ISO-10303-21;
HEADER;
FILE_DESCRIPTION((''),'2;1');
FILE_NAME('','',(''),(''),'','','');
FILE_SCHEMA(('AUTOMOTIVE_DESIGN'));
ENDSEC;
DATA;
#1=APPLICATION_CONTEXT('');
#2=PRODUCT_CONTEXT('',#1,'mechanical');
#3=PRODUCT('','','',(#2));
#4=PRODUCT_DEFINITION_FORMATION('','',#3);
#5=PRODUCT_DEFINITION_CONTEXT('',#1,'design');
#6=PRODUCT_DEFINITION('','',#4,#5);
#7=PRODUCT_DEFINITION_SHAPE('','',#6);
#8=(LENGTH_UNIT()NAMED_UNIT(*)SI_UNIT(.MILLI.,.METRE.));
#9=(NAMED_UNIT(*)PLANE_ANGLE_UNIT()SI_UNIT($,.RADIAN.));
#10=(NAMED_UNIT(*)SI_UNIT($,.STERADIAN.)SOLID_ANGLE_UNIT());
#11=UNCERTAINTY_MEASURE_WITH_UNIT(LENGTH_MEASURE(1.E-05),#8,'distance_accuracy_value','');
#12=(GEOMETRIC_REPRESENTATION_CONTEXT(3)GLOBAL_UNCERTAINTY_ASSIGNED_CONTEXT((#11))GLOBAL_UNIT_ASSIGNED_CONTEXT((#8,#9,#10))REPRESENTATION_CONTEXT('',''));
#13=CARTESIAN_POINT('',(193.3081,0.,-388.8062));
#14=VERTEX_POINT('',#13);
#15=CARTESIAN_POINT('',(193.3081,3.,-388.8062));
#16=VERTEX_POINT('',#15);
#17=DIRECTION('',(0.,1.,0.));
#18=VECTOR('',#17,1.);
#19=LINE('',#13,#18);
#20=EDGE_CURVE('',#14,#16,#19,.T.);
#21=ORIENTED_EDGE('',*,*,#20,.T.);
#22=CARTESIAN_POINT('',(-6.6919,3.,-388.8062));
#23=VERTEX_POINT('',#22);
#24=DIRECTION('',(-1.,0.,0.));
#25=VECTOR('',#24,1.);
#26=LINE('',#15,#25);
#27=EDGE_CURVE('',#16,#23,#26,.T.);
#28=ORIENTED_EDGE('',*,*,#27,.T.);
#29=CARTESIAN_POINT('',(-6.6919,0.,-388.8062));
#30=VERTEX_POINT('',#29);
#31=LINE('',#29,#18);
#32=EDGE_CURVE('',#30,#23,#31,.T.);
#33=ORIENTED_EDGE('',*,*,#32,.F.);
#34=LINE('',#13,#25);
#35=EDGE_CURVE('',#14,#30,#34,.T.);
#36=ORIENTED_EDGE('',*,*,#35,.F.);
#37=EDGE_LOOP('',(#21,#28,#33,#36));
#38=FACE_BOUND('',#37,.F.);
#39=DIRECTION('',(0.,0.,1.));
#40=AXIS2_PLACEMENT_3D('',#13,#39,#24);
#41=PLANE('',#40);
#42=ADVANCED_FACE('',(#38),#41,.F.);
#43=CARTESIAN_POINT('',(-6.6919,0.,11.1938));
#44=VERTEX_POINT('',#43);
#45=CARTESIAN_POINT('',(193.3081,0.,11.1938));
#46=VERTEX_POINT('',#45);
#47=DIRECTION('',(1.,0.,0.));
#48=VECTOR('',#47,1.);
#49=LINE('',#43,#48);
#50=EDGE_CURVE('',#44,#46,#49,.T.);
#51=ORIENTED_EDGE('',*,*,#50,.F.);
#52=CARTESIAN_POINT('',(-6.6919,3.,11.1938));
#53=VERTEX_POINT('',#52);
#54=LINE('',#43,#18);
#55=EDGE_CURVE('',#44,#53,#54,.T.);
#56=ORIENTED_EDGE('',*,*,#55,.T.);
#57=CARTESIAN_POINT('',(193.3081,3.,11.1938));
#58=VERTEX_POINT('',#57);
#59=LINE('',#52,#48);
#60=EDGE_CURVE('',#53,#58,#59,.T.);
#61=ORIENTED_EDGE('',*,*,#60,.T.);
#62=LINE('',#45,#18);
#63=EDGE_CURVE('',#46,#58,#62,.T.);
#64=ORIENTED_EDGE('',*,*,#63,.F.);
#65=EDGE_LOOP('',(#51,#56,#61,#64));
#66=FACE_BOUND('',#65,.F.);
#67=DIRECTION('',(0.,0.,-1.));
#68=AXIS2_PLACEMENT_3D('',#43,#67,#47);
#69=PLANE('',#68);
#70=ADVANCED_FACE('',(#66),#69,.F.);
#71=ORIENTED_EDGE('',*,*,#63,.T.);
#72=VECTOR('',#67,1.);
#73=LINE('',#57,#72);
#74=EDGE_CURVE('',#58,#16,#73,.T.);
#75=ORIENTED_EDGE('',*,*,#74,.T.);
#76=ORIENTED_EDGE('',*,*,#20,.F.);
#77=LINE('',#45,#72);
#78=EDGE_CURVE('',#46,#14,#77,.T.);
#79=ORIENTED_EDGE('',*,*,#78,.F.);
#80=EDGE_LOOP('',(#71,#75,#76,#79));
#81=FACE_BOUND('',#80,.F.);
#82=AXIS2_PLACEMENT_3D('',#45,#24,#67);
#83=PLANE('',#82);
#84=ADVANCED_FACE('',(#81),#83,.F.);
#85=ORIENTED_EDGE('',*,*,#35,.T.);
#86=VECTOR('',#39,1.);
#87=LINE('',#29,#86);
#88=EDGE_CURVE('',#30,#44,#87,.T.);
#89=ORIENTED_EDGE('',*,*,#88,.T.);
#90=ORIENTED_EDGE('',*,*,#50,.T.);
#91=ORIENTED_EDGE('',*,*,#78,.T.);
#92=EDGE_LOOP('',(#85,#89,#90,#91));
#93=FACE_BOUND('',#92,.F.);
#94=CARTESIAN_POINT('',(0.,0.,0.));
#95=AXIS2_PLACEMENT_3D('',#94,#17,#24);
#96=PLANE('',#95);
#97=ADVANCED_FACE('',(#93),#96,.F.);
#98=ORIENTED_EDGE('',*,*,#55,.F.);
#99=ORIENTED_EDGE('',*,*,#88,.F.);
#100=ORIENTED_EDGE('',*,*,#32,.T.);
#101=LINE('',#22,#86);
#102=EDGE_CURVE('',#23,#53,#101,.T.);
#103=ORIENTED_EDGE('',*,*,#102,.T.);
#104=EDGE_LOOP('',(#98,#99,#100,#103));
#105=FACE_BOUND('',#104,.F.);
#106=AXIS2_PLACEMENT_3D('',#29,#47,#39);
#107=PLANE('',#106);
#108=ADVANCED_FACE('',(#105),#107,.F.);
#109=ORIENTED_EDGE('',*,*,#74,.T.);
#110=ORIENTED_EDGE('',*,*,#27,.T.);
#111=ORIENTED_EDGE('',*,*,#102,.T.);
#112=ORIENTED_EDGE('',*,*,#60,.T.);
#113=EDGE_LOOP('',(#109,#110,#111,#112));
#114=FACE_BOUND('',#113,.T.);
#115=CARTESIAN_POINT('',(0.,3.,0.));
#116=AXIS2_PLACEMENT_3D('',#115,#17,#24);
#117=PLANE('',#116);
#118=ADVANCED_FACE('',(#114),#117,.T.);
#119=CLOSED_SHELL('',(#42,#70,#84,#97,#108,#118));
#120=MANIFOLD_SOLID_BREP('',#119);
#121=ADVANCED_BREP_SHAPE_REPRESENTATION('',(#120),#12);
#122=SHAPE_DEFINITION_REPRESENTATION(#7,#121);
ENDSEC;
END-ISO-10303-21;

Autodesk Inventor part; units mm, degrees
ref_plane "YZ Plane" through (0, 0, 0) normal (1, 0, 0) x (0, 1, 0)
ref_plane "XZ Plane" through (0, 0, 0) normal (0, 1, 0) x (-1, 0, 0)
ref_plane "XY Plane" through (0, 0, 0) normal (0, 0, 1) x (1, 0, 0)
sketch "スケッチ1" plane through (0, 0, 0) normal (0, 1, 0) x (-1, 0, 0)
  line L0 (6.6919, 11.1938) -> (-193.3081, 11.1938)
  line L1 (-193.3081, 11.1938) -> (-193.3081, -388.8062)
  line L2 (-193.3081, -388.8062) -> (6.6919, -388.8062)
  line L3 (6.6919, -388.8062) -> (6.6919, 11.1938)
  point P0 (0, 0)
  dimension "d0" = 200
  dimension "d1" = 400
extrude "押し出し1" add sketch "スケッチ1" along normal blind 3
equation "\"BendRadius\" = Thickness"
equation "\"BendReliefWidth\" = Thickness"
equation "\"BendReliefDepth\" = 0.5 * Thickness"
equation "\"CornerReliefSize\" = 4 * Thickness"
equation "\"MinimumRemnant\" = 2 * Thickness"
equation "\"TransitionRadius\" = BendRadius"
equation "\"JacobiRadiusSize\" = BendRadius"
equation "\"GapSize\" = Thickness"
equation "\"Thickness\" = 0.5"
properties part number "NC.1"
